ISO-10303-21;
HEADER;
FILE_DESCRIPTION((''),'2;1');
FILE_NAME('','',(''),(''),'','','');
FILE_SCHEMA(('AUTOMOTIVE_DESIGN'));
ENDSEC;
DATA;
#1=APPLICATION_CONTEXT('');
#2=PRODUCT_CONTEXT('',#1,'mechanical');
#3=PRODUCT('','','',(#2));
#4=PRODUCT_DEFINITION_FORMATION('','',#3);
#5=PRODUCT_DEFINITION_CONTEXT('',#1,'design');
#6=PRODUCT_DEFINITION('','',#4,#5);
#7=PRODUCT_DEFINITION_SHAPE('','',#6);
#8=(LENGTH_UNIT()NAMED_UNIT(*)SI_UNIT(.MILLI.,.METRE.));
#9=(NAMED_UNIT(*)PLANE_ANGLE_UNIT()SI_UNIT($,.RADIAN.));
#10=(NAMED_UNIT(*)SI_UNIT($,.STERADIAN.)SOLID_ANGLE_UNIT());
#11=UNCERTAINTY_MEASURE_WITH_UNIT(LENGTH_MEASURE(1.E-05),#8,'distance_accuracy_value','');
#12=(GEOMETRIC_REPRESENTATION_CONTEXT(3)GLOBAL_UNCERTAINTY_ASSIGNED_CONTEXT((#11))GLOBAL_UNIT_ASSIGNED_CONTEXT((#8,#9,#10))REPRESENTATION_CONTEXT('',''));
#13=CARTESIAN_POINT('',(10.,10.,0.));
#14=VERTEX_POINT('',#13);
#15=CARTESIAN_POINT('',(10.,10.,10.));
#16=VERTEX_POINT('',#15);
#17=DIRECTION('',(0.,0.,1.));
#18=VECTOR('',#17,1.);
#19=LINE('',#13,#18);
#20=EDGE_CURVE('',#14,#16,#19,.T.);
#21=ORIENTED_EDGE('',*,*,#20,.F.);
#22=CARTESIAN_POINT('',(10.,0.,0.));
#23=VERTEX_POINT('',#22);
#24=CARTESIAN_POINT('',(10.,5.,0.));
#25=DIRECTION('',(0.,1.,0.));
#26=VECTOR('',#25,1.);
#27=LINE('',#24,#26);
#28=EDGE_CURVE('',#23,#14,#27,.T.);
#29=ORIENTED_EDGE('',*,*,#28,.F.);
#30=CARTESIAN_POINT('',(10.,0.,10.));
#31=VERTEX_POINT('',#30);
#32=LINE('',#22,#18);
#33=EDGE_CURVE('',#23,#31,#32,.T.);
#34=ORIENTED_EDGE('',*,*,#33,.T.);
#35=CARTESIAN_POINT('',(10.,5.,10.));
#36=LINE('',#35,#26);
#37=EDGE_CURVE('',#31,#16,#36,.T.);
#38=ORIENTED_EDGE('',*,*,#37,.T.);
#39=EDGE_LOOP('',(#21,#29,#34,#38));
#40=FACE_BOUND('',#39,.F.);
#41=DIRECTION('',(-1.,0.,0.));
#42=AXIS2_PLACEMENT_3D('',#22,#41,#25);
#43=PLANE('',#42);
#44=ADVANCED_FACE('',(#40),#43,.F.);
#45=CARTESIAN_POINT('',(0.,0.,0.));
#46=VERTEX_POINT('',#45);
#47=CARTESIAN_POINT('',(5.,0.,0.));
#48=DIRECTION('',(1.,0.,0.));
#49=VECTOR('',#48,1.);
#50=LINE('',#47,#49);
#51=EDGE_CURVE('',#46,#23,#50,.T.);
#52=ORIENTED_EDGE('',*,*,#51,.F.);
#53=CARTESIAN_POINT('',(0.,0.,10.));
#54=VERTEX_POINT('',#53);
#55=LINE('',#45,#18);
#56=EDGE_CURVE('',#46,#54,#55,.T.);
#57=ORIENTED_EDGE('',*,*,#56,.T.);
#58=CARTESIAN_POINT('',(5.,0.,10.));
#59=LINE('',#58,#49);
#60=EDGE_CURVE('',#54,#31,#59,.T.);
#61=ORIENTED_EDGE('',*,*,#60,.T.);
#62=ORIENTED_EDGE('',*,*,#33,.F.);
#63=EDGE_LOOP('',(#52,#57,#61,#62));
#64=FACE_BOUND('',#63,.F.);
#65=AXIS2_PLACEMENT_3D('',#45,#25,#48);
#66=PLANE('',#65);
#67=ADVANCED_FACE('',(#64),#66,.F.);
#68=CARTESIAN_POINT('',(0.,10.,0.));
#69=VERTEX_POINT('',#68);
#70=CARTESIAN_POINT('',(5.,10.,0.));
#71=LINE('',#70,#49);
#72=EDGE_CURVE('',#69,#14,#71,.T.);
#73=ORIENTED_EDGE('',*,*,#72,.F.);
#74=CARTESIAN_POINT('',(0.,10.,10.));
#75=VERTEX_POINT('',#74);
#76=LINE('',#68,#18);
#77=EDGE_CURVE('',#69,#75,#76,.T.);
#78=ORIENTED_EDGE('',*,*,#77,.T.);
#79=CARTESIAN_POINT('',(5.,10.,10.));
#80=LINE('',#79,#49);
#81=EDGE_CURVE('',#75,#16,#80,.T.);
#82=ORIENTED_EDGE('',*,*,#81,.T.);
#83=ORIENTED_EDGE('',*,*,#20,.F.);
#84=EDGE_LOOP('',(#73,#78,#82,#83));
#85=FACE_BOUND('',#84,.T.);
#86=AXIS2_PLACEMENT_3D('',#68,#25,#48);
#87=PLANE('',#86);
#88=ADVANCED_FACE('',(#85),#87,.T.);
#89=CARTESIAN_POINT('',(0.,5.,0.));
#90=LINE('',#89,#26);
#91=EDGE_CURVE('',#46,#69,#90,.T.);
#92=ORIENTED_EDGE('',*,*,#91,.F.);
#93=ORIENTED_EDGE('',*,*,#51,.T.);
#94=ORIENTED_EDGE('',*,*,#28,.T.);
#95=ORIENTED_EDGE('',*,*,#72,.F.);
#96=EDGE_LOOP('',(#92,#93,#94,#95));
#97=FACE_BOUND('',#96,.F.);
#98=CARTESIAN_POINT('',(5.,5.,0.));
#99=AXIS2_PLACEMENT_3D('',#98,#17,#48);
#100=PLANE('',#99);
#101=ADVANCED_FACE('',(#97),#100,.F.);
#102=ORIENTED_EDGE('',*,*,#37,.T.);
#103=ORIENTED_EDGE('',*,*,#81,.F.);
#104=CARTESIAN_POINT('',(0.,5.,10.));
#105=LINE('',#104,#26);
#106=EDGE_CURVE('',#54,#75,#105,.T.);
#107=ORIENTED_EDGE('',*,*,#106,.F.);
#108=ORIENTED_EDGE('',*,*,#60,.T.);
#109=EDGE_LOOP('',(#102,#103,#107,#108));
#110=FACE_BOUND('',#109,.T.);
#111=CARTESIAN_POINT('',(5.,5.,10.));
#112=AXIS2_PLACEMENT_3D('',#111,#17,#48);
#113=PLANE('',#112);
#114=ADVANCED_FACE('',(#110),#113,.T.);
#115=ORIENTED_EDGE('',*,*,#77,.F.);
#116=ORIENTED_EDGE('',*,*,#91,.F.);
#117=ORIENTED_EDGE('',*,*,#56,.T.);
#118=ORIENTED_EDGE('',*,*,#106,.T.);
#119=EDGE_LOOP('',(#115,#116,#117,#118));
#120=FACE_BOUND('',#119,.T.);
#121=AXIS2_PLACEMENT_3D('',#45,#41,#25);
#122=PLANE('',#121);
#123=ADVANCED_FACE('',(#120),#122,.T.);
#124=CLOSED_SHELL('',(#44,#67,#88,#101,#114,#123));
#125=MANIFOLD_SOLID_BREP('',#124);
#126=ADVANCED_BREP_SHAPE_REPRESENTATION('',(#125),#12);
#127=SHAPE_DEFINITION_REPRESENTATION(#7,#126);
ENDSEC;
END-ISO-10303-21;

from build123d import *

# Parameters (mm, degrees)
SKETCH_2_W      = 10
SKETCH_2_H      = 10
EXTRUDE_1_DEPTH = 10


with BuildPart() as part:
    # ｽｹｯﾁ2 → ﾎﾞｽ - 押し出し1 (new body)
    with BuildSketch(Plane.XY):
        with Locations((5, 5)):
            Rectangle(SKETCH_2_W, SKETCH_2_H)
    extrude(amount=EXTRUDE_1_DEPTH)


solid = part.part
